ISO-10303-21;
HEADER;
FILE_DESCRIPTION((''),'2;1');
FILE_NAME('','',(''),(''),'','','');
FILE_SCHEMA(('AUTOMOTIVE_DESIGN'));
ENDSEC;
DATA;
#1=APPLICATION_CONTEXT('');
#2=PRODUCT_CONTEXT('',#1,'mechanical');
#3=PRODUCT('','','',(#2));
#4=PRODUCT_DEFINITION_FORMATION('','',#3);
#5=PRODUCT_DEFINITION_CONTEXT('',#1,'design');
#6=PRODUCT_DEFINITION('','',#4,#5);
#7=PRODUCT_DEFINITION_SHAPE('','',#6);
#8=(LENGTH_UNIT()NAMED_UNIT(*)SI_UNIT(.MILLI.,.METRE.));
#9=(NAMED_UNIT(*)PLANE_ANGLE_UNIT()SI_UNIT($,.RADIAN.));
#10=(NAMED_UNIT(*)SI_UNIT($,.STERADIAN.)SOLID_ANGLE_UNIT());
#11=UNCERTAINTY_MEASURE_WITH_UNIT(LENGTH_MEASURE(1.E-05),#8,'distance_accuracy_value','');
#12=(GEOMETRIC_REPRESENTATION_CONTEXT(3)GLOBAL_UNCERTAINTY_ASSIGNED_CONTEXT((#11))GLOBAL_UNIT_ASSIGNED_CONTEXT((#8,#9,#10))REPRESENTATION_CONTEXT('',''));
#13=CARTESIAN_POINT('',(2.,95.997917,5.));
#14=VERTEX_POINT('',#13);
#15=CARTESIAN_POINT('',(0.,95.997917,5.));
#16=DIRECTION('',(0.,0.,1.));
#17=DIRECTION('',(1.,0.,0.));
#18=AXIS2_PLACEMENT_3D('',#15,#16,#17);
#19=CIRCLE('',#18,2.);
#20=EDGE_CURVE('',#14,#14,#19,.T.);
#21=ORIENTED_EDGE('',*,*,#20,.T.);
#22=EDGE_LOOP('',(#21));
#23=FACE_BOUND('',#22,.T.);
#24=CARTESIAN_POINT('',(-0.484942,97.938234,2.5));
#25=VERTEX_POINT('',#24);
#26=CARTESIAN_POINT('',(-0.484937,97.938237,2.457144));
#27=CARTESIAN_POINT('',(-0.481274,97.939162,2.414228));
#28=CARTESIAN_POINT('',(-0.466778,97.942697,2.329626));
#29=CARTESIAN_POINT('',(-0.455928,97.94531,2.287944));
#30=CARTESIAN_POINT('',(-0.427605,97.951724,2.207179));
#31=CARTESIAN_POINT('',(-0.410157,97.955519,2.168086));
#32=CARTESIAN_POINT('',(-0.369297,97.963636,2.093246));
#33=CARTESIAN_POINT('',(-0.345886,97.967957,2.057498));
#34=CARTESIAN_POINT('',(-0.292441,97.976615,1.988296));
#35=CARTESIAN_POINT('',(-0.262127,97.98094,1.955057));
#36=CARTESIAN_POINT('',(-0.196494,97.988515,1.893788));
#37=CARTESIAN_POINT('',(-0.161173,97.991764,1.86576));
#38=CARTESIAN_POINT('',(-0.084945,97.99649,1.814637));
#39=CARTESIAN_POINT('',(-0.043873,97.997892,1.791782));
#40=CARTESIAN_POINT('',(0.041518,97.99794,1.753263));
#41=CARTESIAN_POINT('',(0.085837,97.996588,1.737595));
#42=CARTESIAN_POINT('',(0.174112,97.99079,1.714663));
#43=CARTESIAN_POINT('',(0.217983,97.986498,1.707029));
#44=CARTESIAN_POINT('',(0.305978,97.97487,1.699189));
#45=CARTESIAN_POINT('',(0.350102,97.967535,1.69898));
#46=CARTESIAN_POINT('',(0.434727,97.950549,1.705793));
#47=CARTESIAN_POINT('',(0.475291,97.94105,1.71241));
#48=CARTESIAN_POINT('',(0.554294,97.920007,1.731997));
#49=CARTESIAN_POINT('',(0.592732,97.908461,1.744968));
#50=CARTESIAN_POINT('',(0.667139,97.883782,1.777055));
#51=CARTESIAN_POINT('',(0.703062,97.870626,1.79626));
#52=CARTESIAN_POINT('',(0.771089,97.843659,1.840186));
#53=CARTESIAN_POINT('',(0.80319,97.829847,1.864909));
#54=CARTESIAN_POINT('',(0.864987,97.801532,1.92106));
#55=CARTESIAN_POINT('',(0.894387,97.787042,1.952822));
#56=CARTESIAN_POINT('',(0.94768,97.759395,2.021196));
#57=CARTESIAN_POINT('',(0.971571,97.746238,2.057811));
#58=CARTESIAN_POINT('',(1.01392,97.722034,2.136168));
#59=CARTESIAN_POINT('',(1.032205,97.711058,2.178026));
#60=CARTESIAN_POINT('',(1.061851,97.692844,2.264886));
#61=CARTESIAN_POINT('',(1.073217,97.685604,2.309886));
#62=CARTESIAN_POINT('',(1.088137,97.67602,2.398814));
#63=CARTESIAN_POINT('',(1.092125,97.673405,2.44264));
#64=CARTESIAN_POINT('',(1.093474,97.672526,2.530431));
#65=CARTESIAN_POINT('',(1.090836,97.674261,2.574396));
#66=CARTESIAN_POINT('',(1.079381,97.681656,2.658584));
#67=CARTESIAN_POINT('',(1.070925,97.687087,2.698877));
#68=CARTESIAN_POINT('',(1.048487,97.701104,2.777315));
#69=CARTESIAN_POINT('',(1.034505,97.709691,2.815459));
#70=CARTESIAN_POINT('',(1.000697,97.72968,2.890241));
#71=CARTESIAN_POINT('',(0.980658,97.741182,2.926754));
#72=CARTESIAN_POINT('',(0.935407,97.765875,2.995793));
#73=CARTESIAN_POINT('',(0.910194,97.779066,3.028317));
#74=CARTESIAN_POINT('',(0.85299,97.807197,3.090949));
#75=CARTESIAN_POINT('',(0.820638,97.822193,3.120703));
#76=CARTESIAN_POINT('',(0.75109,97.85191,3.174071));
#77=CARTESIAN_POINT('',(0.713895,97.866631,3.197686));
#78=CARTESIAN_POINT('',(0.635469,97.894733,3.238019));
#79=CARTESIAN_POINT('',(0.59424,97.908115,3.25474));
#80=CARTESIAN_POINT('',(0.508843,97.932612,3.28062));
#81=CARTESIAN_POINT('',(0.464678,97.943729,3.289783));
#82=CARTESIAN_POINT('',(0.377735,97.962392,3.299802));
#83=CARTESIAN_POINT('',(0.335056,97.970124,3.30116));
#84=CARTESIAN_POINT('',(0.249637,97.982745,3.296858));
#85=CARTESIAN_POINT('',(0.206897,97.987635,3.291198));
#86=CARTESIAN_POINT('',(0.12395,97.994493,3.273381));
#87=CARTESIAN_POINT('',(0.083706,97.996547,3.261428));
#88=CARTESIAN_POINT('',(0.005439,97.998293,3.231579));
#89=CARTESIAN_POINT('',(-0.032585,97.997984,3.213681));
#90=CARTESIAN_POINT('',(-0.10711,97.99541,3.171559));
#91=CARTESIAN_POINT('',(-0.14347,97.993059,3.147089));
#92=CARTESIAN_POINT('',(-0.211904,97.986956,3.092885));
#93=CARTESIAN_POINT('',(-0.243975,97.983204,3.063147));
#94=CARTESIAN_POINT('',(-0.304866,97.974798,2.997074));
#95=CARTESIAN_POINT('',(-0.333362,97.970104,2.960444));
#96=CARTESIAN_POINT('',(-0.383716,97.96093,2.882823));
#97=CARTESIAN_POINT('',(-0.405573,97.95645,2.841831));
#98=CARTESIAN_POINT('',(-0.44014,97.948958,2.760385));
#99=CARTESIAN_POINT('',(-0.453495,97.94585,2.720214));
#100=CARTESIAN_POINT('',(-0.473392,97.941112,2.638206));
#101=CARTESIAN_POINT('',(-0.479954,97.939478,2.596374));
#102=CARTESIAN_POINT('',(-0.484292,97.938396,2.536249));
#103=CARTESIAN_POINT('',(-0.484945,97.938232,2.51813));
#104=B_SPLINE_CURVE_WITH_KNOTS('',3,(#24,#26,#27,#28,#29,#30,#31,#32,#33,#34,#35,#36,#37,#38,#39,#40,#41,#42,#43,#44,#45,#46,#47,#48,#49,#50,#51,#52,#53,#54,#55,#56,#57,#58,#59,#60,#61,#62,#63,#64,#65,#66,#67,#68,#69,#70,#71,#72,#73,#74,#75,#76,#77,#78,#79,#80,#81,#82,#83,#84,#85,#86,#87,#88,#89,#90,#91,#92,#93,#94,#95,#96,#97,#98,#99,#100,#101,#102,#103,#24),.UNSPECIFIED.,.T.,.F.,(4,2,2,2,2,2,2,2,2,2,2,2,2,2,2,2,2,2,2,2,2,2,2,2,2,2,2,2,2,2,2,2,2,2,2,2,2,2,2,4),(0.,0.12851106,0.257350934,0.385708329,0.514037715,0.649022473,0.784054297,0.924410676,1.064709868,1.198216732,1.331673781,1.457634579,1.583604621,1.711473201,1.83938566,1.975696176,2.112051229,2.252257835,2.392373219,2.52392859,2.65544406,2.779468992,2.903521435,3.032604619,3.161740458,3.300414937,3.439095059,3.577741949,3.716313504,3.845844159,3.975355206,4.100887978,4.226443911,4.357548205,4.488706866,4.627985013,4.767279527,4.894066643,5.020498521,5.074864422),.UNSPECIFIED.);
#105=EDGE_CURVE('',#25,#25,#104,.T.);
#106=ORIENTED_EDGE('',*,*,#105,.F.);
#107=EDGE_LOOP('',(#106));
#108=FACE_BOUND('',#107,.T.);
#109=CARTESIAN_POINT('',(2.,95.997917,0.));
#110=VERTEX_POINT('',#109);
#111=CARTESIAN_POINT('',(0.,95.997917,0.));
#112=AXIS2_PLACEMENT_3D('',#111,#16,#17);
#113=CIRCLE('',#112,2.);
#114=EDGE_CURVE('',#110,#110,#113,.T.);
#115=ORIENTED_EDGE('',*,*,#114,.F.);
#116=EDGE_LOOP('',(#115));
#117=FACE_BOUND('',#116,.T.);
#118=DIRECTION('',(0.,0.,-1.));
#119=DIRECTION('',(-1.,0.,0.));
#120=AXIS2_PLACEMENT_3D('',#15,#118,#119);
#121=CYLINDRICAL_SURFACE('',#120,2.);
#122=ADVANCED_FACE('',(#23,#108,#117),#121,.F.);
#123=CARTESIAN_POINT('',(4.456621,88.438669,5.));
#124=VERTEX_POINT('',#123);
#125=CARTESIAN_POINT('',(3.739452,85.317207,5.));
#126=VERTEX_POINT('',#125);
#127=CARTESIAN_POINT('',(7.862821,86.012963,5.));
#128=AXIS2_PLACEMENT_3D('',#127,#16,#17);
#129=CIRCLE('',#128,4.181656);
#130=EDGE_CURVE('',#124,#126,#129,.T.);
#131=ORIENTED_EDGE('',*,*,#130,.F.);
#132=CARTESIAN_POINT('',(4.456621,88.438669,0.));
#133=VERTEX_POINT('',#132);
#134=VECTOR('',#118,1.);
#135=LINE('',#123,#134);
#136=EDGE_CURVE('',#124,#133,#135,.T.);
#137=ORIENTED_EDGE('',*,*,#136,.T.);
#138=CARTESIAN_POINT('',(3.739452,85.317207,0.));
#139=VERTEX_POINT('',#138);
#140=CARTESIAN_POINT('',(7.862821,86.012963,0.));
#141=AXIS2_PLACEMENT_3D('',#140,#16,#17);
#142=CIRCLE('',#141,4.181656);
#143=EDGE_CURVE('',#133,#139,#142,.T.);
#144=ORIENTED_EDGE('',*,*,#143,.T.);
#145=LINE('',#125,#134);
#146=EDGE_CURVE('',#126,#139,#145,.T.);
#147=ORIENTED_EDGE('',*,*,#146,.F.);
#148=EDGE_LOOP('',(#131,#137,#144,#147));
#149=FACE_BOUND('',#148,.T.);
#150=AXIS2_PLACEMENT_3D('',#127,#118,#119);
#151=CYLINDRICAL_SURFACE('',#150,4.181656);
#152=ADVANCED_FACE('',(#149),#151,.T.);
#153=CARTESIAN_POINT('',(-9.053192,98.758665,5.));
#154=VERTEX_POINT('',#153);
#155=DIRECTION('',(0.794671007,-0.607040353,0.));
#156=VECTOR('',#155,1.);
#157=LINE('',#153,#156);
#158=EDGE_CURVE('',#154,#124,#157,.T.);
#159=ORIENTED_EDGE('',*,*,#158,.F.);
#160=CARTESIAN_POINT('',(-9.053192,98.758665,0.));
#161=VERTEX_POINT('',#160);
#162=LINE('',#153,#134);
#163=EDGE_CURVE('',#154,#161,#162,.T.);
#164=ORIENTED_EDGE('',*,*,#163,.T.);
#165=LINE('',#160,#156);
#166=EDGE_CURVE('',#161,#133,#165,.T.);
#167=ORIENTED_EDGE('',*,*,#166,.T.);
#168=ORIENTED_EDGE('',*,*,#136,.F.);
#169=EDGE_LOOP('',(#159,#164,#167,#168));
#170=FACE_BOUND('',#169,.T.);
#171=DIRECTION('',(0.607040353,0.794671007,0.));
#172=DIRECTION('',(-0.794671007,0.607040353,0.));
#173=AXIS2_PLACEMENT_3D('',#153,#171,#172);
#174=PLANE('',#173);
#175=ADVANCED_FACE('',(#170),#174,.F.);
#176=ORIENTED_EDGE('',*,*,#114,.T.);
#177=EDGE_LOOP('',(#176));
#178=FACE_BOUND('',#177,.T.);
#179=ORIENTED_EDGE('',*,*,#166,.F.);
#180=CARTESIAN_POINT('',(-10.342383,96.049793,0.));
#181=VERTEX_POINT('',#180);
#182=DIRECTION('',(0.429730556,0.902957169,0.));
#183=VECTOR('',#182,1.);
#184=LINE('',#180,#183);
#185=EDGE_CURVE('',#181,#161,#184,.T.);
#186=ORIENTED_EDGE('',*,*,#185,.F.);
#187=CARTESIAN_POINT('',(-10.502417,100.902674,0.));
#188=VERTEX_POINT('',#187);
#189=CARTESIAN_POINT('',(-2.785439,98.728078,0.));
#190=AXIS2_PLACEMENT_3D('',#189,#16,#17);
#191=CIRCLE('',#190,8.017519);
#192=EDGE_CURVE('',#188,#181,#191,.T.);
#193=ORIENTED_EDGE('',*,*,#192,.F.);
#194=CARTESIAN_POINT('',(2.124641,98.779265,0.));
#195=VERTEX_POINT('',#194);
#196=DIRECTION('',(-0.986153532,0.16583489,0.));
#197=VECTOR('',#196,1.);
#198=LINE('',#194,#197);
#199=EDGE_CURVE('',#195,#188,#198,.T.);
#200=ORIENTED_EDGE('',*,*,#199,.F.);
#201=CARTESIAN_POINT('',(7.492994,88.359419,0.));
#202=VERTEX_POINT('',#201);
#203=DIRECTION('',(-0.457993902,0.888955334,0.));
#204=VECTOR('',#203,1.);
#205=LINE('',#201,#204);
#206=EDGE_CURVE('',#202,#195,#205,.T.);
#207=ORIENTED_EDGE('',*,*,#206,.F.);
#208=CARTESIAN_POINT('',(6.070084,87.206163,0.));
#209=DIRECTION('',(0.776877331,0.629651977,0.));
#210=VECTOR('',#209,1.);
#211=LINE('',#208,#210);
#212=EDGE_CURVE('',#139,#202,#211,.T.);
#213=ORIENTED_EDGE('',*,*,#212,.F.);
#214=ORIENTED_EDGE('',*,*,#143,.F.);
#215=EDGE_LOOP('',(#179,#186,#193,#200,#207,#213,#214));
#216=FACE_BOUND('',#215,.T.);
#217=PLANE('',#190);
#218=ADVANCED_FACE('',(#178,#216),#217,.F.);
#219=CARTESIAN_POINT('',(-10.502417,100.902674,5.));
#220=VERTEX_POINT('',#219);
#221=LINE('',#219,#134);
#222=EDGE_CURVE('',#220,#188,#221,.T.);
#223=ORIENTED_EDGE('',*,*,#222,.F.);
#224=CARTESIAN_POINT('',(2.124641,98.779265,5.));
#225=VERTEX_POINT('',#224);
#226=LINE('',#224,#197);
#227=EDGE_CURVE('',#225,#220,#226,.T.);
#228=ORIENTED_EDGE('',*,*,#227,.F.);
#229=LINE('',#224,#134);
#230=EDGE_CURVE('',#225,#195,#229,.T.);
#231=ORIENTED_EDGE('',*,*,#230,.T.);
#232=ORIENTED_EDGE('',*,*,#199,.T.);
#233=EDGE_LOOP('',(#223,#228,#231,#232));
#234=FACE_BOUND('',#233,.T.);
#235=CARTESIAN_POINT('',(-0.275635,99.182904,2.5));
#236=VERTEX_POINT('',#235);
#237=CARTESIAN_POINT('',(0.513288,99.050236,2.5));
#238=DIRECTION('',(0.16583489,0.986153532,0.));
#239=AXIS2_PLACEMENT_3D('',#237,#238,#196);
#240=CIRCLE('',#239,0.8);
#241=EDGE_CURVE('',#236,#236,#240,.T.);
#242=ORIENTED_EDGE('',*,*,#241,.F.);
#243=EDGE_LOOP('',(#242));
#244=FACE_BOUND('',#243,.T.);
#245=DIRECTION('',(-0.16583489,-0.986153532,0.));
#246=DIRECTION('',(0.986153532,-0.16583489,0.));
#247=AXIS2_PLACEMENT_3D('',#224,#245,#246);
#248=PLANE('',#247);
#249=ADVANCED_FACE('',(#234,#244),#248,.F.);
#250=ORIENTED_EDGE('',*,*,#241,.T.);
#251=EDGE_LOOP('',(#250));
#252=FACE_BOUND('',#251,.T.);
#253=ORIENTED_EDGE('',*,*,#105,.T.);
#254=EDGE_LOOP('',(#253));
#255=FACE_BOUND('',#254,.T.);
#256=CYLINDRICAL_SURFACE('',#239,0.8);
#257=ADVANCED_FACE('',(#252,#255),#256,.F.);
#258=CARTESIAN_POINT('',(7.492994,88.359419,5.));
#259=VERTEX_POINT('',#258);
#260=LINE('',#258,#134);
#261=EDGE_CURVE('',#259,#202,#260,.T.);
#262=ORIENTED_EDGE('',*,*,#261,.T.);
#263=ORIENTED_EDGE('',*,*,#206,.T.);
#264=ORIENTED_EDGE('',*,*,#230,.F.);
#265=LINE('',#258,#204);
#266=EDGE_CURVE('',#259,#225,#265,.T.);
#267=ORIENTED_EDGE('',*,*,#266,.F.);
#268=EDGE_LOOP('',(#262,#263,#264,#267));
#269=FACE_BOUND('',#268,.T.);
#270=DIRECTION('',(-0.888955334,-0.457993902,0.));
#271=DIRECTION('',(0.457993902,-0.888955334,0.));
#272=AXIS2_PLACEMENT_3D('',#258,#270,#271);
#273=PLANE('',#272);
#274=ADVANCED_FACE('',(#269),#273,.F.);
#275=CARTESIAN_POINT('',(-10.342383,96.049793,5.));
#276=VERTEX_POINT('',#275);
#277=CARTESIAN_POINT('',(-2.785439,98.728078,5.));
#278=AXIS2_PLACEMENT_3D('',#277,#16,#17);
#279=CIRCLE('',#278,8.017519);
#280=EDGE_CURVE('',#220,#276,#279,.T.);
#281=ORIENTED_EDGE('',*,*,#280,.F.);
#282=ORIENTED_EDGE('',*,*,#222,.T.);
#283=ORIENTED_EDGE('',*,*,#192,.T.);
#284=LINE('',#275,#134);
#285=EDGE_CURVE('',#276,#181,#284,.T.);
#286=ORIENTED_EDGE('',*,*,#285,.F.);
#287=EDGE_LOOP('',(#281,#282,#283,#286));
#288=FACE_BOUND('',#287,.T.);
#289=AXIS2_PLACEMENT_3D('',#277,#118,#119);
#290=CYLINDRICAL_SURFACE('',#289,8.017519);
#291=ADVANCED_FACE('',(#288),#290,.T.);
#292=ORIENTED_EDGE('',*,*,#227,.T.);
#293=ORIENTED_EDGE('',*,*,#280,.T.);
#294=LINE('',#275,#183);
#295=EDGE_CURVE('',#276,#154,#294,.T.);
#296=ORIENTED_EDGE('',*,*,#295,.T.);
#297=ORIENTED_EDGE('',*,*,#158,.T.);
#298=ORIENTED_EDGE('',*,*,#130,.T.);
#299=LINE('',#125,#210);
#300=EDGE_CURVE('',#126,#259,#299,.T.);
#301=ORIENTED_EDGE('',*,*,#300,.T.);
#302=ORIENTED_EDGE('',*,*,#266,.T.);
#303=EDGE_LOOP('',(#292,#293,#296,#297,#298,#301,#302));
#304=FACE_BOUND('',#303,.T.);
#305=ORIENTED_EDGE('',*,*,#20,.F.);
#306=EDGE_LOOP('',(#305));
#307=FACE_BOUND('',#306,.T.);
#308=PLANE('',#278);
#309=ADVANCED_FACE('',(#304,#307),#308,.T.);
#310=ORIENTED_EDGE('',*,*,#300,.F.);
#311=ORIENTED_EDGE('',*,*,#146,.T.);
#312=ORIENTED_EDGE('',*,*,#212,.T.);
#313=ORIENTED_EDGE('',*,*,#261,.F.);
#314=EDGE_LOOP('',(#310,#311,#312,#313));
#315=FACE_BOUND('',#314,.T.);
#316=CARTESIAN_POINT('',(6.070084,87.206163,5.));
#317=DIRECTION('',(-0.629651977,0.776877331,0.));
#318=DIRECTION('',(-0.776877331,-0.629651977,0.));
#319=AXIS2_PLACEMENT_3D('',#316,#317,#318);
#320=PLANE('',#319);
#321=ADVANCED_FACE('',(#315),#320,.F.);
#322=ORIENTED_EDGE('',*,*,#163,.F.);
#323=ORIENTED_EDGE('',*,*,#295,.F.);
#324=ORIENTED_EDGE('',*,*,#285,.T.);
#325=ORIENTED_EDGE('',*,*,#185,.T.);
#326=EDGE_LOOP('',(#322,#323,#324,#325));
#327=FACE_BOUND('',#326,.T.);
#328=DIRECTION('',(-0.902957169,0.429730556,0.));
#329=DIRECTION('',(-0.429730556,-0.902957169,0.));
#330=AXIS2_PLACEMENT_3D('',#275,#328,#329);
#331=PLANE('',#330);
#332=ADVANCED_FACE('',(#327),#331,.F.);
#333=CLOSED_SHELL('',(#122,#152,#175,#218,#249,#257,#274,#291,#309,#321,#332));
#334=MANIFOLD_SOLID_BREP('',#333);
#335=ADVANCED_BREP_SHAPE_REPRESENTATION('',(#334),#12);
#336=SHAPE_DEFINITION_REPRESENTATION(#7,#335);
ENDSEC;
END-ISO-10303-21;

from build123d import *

# Parameters (mm, degrees)
SKETCH1_R                 = 2
BOSS_EXTRUDE1_DEPTH       = 5
M2X0_4_TAPPED_HOLE1_D     = 1.6
M2X0_4_TAPPED_HOLE1_DEPTH = 2.999994
M2X0_4_TAPPED_HOLE1_TIP   = 0.480688495


with BuildPart() as part:
    # Sketch1 → Boss-Extrude1 (new body)
    with BuildSketch(Plane.XY):
        with BuildLine():
            Line((7.49299434, 88.359418723), (2.124641235, 98.779265156))
            Line((2.124641235, 98.779265156), (-10.502416807, 100.902673639))
            ThreePointArc((-10.502416807, 100.902673639), (-10.798602236, 98.463827502), (-10.342383239, 96.049793427))
            Line((-10.342383239, 96.049793427), (-9.053191571, 98.758664935))
            Line((-9.053191571, 98.758664935), (4.456621188, 88.438669077))
            ThreePointArc((4.456621188, 88.438669077), (3.787347561, 86.94932011), (3.73945192, 85.317206897))
            Line((3.73945192, 85.317206897), (6.070083914, 87.206162828))
            Line((6.070083914, 87.206162828), (7.49299434, 88.359418723))
        make_face()
        with Locations((0, 95.99791663)):
            Circle(SKETCH1_R, mode=Mode.SUBTRACT)
    extrude(amount=BOSS_EXTRUDE1_DEPTH)

    # M2x0.4 Tapped Hole1
    with Locations(Plane(origin=(16.212659079, 96.410176767, 0), x_dir=(0.986153532, -0.16583489, 0), z_dir=(0.16583489, 0.986153532, 0))):
        with Locations((-15.919803906, -2.5)):
            Hole(M2X0_4_TAPPED_HOLE1_D / 2, depth=M2X0_4_TAPPED_HOLE1_DEPTH)
            with Locations((0, 0, -(M2X0_4_TAPPED_HOLE1_DEPTH + M2X0_4_TAPPED_HOLE1_TIP / 2))):  # 118° drill point
                Cone(0, M2X0_4_TAPPED_HOLE1_D / 2, M2X0_4_TAPPED_HOLE1_TIP, mode=Mode.SUBTRACT)


solid = part.part
